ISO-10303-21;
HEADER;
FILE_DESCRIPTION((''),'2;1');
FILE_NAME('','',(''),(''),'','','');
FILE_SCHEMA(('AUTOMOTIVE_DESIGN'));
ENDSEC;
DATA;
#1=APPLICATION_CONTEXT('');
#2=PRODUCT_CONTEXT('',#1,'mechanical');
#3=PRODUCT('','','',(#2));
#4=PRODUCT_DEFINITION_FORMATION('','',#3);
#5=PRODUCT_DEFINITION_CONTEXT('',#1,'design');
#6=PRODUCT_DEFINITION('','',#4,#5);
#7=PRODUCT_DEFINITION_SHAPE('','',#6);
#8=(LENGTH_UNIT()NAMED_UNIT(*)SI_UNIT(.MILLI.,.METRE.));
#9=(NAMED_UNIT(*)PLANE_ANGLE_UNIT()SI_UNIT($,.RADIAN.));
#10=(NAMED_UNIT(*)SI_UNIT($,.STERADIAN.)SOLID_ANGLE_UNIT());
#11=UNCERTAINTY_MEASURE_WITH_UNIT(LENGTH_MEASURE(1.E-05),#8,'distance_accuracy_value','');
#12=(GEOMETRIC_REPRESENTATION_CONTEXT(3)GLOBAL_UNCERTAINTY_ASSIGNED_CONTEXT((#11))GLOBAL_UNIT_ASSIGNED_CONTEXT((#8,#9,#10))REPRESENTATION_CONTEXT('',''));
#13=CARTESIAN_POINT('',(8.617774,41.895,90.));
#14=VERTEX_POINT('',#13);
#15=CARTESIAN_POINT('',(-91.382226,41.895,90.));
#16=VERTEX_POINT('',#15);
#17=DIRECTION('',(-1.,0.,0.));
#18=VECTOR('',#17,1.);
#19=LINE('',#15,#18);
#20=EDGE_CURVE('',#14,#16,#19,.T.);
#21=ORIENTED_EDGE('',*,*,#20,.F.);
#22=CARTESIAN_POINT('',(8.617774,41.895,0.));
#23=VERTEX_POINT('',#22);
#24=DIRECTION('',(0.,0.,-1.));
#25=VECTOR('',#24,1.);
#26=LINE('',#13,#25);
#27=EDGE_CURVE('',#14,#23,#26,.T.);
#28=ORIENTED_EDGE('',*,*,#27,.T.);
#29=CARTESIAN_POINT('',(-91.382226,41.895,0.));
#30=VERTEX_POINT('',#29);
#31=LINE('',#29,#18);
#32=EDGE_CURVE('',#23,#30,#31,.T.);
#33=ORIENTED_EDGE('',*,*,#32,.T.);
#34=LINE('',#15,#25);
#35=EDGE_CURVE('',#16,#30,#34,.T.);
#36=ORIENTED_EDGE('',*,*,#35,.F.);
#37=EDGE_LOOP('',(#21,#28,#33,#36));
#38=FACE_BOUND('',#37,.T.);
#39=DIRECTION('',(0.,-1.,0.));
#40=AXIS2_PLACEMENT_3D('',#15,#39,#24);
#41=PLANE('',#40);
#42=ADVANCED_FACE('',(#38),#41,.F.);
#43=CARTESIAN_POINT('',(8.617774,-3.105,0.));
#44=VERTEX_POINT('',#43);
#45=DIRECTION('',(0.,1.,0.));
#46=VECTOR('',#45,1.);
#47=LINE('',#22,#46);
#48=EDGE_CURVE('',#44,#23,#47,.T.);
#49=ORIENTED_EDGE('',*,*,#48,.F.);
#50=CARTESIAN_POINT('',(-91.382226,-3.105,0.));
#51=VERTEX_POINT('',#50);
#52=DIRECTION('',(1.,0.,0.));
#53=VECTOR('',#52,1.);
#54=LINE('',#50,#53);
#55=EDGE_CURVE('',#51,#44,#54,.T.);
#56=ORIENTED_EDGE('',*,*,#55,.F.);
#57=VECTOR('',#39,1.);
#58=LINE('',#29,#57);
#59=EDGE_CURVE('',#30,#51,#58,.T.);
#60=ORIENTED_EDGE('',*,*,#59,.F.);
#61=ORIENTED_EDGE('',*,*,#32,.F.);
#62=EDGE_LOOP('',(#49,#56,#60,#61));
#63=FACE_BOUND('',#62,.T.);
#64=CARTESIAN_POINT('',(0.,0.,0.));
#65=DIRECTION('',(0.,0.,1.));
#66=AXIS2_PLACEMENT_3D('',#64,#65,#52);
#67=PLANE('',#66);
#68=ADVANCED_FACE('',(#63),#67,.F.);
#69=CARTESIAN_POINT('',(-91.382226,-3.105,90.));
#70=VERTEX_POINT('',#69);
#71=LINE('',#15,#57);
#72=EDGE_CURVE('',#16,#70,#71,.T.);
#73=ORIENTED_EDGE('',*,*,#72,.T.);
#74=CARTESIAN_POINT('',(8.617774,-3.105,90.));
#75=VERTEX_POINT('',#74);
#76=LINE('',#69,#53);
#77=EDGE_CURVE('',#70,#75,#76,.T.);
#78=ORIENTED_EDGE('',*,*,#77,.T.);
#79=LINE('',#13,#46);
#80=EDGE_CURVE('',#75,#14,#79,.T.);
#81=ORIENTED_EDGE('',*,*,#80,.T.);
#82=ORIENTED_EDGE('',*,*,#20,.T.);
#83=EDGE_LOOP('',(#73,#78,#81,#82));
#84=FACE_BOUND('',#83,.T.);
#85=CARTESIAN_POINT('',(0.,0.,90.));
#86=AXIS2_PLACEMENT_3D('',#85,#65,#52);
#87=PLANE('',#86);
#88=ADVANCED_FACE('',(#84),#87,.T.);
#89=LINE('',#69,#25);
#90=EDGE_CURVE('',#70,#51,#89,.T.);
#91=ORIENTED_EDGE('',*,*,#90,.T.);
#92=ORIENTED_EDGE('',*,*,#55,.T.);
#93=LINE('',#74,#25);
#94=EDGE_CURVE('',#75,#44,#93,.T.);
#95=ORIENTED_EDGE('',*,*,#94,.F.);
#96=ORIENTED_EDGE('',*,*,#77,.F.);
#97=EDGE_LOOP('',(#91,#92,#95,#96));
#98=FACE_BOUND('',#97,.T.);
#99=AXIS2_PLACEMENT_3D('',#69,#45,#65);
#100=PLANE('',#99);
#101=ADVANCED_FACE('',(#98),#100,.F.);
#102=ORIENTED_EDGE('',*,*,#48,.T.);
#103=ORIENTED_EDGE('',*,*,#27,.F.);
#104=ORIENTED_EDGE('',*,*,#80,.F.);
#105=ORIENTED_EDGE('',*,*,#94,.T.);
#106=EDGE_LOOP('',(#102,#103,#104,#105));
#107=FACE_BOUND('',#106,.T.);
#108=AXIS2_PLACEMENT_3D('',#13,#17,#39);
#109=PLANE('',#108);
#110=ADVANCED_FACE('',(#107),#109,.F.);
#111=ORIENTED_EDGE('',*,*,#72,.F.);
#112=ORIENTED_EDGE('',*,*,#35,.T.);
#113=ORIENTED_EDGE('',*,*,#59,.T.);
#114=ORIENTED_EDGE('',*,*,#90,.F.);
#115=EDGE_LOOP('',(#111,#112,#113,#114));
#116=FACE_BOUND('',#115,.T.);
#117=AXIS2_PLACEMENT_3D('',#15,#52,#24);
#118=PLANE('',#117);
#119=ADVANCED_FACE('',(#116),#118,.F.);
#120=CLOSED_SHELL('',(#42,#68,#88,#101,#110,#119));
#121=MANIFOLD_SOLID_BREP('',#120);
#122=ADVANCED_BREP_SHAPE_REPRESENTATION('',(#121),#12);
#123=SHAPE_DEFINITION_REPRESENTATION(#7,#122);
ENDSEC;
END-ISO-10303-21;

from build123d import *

# Parameters (mm, degrees)
SKETCH_1_W      = 100
SKETCH_1_H      = 45
EXTRUDE_1_DEPTH = 90


with BuildPart() as part:
    # 草圖1 → 填料-伸長1 (new body)
    with BuildSketch(Plane.XY):
        with Locations((-41.382225914, 19.395)):
            Rectangle(SKETCH_1_W, SKETCH_1_H)
    extrude(amount=EXTRUDE_1_DEPTH)


solid = part.part
